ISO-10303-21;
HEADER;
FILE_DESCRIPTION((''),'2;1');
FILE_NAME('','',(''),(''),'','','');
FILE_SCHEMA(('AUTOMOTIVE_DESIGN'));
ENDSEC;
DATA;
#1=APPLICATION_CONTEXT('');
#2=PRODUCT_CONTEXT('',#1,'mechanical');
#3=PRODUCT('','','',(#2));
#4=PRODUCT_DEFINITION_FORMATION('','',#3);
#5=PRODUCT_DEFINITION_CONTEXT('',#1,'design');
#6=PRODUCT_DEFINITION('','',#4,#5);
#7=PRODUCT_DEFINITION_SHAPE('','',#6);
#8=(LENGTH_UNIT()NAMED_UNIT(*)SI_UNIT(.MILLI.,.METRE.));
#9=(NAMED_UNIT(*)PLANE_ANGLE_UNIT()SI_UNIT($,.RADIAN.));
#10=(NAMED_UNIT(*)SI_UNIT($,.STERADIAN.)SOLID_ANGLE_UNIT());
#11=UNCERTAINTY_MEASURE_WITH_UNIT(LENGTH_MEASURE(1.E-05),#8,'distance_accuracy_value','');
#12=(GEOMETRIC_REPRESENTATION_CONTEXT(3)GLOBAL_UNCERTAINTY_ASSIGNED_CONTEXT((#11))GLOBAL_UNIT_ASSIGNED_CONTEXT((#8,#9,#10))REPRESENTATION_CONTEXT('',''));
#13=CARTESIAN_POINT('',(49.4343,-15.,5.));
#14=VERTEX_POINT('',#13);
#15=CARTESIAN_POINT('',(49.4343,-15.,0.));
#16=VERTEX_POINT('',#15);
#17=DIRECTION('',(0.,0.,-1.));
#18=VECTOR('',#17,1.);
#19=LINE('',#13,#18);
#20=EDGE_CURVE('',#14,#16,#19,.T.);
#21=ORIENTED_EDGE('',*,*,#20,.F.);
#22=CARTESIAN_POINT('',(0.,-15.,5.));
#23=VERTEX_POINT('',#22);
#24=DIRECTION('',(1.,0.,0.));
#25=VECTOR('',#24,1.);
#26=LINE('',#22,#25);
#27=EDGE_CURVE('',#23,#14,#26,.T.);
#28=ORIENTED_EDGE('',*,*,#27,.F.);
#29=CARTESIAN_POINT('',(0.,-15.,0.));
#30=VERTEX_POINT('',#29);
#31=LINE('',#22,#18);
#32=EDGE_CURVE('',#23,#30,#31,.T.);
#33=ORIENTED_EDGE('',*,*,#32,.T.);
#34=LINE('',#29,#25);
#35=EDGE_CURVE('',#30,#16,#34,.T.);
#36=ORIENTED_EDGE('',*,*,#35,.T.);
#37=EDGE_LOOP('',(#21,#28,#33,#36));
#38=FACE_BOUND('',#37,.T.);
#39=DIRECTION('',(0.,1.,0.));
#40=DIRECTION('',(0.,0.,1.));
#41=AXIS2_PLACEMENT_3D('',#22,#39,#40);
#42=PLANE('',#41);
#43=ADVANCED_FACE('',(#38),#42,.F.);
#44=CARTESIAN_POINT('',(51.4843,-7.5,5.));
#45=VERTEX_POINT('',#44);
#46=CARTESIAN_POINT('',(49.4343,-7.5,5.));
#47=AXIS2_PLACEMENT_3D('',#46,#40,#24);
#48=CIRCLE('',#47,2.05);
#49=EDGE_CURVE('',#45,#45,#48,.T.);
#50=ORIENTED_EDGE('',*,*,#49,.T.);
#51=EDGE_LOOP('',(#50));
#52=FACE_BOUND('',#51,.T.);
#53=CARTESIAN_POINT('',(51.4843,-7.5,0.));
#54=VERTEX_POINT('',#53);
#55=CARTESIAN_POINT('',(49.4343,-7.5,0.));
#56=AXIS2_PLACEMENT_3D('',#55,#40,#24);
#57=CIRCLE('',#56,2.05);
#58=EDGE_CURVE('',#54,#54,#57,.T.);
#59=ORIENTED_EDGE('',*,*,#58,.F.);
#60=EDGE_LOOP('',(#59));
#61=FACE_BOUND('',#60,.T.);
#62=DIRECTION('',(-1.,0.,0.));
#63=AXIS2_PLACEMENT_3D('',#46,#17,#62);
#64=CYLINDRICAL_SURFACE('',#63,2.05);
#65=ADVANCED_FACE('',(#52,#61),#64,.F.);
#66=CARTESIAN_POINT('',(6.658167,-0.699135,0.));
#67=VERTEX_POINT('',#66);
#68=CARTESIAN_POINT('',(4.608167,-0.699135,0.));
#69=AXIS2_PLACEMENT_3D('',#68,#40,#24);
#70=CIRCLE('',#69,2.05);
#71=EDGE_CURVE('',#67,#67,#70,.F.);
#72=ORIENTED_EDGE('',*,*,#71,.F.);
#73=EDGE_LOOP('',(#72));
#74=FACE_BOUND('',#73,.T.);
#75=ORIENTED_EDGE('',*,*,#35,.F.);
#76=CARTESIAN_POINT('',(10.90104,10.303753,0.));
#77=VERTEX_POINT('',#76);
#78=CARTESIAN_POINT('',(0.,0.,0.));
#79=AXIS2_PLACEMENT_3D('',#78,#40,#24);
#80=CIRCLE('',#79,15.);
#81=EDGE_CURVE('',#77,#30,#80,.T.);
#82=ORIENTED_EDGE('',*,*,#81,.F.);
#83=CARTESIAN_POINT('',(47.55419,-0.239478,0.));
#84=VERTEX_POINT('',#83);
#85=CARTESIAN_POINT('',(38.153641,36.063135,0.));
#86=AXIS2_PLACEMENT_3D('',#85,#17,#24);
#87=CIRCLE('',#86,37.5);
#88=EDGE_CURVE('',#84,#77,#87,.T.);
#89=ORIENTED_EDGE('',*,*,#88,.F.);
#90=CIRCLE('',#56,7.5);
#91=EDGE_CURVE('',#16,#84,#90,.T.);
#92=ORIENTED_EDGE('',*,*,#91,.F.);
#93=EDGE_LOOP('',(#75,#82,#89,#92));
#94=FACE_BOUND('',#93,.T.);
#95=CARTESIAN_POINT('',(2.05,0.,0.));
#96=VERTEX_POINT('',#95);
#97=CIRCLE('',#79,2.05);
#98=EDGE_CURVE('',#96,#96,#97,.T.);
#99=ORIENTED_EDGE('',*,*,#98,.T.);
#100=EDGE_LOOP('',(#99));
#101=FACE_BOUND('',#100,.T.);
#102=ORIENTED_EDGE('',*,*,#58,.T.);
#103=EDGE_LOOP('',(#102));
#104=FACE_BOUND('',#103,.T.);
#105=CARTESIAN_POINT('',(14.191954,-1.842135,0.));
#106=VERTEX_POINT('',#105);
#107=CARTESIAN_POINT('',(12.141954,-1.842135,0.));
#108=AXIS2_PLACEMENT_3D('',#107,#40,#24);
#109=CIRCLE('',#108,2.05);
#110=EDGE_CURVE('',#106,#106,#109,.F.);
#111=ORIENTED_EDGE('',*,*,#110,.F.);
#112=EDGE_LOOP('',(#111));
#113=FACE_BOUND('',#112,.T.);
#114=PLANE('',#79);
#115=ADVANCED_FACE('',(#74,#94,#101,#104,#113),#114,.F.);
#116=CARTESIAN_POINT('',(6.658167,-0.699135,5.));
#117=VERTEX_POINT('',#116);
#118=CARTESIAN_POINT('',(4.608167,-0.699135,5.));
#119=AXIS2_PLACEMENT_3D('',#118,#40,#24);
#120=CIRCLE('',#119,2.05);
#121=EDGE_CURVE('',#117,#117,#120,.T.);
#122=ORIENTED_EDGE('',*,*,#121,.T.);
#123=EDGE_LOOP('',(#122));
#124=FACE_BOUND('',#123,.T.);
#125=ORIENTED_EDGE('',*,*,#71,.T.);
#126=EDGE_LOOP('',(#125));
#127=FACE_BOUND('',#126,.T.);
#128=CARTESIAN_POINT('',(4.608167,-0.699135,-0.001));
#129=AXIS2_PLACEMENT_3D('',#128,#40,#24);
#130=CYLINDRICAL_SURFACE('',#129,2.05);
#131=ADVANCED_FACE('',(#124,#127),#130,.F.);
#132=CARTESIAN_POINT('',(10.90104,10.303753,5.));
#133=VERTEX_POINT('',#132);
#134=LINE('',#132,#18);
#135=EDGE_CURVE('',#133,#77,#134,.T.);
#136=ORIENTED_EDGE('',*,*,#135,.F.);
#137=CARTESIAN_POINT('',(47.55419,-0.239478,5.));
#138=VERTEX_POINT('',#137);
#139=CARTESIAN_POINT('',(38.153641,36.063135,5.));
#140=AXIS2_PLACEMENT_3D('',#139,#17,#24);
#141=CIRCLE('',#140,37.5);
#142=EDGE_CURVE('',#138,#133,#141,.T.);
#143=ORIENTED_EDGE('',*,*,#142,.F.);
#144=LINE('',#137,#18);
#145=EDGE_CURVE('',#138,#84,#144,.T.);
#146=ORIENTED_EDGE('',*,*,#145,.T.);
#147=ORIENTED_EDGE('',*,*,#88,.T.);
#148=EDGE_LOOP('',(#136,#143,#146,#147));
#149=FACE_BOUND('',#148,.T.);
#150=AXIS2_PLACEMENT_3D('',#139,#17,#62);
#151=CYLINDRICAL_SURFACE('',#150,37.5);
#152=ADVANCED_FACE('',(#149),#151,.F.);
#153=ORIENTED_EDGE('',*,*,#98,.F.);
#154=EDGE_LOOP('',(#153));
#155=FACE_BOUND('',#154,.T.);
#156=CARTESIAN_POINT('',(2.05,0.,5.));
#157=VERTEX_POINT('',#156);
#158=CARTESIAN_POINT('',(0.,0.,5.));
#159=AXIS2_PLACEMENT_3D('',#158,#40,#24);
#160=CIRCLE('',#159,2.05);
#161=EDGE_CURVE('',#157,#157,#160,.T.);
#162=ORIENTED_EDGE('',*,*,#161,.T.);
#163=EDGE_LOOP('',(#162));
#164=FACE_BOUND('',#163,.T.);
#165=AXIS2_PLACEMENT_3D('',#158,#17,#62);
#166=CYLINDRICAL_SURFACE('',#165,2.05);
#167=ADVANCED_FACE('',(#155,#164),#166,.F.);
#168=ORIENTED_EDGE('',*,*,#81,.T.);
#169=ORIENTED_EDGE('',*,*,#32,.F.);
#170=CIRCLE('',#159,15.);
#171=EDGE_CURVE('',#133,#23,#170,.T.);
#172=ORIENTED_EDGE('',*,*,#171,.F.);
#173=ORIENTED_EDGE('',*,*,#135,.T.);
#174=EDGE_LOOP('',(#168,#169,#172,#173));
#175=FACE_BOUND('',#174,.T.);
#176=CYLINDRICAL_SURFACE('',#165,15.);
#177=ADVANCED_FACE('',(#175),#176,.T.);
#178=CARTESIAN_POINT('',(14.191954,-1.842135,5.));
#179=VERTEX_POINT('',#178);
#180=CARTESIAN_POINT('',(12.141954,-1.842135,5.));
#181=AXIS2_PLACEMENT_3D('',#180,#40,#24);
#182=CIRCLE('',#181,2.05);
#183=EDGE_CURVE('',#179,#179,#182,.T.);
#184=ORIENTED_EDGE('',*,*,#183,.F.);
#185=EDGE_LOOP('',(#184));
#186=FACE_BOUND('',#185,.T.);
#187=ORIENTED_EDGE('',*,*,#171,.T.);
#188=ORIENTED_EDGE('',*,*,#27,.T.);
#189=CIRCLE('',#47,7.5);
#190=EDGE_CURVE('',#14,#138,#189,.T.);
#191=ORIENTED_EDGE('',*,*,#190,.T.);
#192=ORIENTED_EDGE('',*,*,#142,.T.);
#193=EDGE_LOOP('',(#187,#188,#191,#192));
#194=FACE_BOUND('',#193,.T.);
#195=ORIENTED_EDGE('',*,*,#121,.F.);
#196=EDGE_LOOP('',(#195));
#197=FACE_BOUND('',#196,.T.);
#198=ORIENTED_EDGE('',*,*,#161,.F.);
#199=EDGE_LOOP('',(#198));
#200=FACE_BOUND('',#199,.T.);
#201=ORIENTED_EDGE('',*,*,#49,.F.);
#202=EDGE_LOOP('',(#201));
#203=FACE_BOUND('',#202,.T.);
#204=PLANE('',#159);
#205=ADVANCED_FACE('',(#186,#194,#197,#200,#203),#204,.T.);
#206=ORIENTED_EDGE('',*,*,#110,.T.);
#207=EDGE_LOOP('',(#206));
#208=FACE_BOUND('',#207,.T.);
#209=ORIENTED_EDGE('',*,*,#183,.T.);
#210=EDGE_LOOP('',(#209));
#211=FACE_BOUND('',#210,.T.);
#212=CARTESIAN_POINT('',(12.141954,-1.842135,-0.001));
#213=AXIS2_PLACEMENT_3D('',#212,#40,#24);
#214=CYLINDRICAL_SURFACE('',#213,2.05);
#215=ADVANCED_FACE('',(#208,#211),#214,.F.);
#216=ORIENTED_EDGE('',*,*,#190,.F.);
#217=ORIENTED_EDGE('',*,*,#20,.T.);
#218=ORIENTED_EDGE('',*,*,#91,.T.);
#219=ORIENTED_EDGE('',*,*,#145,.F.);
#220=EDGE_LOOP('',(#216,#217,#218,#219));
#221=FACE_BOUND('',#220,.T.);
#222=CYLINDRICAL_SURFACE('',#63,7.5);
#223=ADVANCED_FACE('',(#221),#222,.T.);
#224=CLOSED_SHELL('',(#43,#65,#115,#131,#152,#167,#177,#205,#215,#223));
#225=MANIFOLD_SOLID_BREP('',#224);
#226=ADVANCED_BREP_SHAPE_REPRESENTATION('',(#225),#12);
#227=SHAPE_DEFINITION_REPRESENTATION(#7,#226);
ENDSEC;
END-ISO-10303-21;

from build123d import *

# Parameters (mm, degrees)
SCHIZZO1_R                   = 2.05
ESTRUSIONE_ESTRUSIONE1_DEPTH = 5
CUT_EXTRUDE1_REACH           = 7
SKETCH1_R                    = 2.05


with BuildPart() as part:
    # Schizzo1 → Estrusione-Estrusione1 (new body)
    with BuildSketch(Plane.XY):
        with BuildLine():
            Line((0, -15), (49.434299833, -15))
            ThreePointArc((49.434299833, -15), (56.874189574, -6.552349937), (47.554189972, -0.239477504))
            ThreePointArc((47.554189972, -0.239477504), (27.787162994, 0.02445935), (10.90104019, 10.30375285))
            ThreePointArc((10.90104019, 10.30375285), (-13.775998925, 5.934800218), (0, -15))
        make_face()
        Circle(SCHIZZO1_R, mode=Mode.SUBTRACT)
        with Locations((49.434299833, -7.5)):
            Circle(SCHIZZO1_R, mode=Mode.SUBTRACT)
    extrude(amount=ESTRUSIONE_ESTRUSIONE1_DEPTH)

    # Sketch1 → Cut-Extrude1 (cut, up to next)
    with BuildSketch(Plane.XY.offset(5), mode=Mode.PRIVATE) as cut_extrude1_sk1:
        with Locations((4.608166562, -0.699135)):
            Circle(SKETCH1_R)
    cut_extrude1_tool1 = extrude(cut_extrude1_sk1.sketch, amount=-CUT_EXTRUDE1_REACH, mode=Mode.PRIVATE) & part.part
    add(cut_extrude1_tool1.solids().sort_by_distance((4.608167, -0.699135, 5))[0], mode=Mode.SUBTRACT)
    # Sketch1 → Cut-Extrude1 (cut, up to next)
    with BuildSketch(Plane.XY.offset(5), mode=Mode.PRIVATE) as cut_extrude1_sk2:
        with Locations((12.141953856, -1.842135)):
            Circle(SKETCH1_R)
    cut_extrude1_tool2 = extrude(cut_extrude1_sk2.sketch, amount=-CUT_EXTRUDE1_REACH, mode=Mode.PRIVATE) & part.part
    add(cut_extrude1_tool2.solids().sort_by_distance((12.141954, -1.842135, 5))[0], mode=Mode.SUBTRACT)


solid = part.part
